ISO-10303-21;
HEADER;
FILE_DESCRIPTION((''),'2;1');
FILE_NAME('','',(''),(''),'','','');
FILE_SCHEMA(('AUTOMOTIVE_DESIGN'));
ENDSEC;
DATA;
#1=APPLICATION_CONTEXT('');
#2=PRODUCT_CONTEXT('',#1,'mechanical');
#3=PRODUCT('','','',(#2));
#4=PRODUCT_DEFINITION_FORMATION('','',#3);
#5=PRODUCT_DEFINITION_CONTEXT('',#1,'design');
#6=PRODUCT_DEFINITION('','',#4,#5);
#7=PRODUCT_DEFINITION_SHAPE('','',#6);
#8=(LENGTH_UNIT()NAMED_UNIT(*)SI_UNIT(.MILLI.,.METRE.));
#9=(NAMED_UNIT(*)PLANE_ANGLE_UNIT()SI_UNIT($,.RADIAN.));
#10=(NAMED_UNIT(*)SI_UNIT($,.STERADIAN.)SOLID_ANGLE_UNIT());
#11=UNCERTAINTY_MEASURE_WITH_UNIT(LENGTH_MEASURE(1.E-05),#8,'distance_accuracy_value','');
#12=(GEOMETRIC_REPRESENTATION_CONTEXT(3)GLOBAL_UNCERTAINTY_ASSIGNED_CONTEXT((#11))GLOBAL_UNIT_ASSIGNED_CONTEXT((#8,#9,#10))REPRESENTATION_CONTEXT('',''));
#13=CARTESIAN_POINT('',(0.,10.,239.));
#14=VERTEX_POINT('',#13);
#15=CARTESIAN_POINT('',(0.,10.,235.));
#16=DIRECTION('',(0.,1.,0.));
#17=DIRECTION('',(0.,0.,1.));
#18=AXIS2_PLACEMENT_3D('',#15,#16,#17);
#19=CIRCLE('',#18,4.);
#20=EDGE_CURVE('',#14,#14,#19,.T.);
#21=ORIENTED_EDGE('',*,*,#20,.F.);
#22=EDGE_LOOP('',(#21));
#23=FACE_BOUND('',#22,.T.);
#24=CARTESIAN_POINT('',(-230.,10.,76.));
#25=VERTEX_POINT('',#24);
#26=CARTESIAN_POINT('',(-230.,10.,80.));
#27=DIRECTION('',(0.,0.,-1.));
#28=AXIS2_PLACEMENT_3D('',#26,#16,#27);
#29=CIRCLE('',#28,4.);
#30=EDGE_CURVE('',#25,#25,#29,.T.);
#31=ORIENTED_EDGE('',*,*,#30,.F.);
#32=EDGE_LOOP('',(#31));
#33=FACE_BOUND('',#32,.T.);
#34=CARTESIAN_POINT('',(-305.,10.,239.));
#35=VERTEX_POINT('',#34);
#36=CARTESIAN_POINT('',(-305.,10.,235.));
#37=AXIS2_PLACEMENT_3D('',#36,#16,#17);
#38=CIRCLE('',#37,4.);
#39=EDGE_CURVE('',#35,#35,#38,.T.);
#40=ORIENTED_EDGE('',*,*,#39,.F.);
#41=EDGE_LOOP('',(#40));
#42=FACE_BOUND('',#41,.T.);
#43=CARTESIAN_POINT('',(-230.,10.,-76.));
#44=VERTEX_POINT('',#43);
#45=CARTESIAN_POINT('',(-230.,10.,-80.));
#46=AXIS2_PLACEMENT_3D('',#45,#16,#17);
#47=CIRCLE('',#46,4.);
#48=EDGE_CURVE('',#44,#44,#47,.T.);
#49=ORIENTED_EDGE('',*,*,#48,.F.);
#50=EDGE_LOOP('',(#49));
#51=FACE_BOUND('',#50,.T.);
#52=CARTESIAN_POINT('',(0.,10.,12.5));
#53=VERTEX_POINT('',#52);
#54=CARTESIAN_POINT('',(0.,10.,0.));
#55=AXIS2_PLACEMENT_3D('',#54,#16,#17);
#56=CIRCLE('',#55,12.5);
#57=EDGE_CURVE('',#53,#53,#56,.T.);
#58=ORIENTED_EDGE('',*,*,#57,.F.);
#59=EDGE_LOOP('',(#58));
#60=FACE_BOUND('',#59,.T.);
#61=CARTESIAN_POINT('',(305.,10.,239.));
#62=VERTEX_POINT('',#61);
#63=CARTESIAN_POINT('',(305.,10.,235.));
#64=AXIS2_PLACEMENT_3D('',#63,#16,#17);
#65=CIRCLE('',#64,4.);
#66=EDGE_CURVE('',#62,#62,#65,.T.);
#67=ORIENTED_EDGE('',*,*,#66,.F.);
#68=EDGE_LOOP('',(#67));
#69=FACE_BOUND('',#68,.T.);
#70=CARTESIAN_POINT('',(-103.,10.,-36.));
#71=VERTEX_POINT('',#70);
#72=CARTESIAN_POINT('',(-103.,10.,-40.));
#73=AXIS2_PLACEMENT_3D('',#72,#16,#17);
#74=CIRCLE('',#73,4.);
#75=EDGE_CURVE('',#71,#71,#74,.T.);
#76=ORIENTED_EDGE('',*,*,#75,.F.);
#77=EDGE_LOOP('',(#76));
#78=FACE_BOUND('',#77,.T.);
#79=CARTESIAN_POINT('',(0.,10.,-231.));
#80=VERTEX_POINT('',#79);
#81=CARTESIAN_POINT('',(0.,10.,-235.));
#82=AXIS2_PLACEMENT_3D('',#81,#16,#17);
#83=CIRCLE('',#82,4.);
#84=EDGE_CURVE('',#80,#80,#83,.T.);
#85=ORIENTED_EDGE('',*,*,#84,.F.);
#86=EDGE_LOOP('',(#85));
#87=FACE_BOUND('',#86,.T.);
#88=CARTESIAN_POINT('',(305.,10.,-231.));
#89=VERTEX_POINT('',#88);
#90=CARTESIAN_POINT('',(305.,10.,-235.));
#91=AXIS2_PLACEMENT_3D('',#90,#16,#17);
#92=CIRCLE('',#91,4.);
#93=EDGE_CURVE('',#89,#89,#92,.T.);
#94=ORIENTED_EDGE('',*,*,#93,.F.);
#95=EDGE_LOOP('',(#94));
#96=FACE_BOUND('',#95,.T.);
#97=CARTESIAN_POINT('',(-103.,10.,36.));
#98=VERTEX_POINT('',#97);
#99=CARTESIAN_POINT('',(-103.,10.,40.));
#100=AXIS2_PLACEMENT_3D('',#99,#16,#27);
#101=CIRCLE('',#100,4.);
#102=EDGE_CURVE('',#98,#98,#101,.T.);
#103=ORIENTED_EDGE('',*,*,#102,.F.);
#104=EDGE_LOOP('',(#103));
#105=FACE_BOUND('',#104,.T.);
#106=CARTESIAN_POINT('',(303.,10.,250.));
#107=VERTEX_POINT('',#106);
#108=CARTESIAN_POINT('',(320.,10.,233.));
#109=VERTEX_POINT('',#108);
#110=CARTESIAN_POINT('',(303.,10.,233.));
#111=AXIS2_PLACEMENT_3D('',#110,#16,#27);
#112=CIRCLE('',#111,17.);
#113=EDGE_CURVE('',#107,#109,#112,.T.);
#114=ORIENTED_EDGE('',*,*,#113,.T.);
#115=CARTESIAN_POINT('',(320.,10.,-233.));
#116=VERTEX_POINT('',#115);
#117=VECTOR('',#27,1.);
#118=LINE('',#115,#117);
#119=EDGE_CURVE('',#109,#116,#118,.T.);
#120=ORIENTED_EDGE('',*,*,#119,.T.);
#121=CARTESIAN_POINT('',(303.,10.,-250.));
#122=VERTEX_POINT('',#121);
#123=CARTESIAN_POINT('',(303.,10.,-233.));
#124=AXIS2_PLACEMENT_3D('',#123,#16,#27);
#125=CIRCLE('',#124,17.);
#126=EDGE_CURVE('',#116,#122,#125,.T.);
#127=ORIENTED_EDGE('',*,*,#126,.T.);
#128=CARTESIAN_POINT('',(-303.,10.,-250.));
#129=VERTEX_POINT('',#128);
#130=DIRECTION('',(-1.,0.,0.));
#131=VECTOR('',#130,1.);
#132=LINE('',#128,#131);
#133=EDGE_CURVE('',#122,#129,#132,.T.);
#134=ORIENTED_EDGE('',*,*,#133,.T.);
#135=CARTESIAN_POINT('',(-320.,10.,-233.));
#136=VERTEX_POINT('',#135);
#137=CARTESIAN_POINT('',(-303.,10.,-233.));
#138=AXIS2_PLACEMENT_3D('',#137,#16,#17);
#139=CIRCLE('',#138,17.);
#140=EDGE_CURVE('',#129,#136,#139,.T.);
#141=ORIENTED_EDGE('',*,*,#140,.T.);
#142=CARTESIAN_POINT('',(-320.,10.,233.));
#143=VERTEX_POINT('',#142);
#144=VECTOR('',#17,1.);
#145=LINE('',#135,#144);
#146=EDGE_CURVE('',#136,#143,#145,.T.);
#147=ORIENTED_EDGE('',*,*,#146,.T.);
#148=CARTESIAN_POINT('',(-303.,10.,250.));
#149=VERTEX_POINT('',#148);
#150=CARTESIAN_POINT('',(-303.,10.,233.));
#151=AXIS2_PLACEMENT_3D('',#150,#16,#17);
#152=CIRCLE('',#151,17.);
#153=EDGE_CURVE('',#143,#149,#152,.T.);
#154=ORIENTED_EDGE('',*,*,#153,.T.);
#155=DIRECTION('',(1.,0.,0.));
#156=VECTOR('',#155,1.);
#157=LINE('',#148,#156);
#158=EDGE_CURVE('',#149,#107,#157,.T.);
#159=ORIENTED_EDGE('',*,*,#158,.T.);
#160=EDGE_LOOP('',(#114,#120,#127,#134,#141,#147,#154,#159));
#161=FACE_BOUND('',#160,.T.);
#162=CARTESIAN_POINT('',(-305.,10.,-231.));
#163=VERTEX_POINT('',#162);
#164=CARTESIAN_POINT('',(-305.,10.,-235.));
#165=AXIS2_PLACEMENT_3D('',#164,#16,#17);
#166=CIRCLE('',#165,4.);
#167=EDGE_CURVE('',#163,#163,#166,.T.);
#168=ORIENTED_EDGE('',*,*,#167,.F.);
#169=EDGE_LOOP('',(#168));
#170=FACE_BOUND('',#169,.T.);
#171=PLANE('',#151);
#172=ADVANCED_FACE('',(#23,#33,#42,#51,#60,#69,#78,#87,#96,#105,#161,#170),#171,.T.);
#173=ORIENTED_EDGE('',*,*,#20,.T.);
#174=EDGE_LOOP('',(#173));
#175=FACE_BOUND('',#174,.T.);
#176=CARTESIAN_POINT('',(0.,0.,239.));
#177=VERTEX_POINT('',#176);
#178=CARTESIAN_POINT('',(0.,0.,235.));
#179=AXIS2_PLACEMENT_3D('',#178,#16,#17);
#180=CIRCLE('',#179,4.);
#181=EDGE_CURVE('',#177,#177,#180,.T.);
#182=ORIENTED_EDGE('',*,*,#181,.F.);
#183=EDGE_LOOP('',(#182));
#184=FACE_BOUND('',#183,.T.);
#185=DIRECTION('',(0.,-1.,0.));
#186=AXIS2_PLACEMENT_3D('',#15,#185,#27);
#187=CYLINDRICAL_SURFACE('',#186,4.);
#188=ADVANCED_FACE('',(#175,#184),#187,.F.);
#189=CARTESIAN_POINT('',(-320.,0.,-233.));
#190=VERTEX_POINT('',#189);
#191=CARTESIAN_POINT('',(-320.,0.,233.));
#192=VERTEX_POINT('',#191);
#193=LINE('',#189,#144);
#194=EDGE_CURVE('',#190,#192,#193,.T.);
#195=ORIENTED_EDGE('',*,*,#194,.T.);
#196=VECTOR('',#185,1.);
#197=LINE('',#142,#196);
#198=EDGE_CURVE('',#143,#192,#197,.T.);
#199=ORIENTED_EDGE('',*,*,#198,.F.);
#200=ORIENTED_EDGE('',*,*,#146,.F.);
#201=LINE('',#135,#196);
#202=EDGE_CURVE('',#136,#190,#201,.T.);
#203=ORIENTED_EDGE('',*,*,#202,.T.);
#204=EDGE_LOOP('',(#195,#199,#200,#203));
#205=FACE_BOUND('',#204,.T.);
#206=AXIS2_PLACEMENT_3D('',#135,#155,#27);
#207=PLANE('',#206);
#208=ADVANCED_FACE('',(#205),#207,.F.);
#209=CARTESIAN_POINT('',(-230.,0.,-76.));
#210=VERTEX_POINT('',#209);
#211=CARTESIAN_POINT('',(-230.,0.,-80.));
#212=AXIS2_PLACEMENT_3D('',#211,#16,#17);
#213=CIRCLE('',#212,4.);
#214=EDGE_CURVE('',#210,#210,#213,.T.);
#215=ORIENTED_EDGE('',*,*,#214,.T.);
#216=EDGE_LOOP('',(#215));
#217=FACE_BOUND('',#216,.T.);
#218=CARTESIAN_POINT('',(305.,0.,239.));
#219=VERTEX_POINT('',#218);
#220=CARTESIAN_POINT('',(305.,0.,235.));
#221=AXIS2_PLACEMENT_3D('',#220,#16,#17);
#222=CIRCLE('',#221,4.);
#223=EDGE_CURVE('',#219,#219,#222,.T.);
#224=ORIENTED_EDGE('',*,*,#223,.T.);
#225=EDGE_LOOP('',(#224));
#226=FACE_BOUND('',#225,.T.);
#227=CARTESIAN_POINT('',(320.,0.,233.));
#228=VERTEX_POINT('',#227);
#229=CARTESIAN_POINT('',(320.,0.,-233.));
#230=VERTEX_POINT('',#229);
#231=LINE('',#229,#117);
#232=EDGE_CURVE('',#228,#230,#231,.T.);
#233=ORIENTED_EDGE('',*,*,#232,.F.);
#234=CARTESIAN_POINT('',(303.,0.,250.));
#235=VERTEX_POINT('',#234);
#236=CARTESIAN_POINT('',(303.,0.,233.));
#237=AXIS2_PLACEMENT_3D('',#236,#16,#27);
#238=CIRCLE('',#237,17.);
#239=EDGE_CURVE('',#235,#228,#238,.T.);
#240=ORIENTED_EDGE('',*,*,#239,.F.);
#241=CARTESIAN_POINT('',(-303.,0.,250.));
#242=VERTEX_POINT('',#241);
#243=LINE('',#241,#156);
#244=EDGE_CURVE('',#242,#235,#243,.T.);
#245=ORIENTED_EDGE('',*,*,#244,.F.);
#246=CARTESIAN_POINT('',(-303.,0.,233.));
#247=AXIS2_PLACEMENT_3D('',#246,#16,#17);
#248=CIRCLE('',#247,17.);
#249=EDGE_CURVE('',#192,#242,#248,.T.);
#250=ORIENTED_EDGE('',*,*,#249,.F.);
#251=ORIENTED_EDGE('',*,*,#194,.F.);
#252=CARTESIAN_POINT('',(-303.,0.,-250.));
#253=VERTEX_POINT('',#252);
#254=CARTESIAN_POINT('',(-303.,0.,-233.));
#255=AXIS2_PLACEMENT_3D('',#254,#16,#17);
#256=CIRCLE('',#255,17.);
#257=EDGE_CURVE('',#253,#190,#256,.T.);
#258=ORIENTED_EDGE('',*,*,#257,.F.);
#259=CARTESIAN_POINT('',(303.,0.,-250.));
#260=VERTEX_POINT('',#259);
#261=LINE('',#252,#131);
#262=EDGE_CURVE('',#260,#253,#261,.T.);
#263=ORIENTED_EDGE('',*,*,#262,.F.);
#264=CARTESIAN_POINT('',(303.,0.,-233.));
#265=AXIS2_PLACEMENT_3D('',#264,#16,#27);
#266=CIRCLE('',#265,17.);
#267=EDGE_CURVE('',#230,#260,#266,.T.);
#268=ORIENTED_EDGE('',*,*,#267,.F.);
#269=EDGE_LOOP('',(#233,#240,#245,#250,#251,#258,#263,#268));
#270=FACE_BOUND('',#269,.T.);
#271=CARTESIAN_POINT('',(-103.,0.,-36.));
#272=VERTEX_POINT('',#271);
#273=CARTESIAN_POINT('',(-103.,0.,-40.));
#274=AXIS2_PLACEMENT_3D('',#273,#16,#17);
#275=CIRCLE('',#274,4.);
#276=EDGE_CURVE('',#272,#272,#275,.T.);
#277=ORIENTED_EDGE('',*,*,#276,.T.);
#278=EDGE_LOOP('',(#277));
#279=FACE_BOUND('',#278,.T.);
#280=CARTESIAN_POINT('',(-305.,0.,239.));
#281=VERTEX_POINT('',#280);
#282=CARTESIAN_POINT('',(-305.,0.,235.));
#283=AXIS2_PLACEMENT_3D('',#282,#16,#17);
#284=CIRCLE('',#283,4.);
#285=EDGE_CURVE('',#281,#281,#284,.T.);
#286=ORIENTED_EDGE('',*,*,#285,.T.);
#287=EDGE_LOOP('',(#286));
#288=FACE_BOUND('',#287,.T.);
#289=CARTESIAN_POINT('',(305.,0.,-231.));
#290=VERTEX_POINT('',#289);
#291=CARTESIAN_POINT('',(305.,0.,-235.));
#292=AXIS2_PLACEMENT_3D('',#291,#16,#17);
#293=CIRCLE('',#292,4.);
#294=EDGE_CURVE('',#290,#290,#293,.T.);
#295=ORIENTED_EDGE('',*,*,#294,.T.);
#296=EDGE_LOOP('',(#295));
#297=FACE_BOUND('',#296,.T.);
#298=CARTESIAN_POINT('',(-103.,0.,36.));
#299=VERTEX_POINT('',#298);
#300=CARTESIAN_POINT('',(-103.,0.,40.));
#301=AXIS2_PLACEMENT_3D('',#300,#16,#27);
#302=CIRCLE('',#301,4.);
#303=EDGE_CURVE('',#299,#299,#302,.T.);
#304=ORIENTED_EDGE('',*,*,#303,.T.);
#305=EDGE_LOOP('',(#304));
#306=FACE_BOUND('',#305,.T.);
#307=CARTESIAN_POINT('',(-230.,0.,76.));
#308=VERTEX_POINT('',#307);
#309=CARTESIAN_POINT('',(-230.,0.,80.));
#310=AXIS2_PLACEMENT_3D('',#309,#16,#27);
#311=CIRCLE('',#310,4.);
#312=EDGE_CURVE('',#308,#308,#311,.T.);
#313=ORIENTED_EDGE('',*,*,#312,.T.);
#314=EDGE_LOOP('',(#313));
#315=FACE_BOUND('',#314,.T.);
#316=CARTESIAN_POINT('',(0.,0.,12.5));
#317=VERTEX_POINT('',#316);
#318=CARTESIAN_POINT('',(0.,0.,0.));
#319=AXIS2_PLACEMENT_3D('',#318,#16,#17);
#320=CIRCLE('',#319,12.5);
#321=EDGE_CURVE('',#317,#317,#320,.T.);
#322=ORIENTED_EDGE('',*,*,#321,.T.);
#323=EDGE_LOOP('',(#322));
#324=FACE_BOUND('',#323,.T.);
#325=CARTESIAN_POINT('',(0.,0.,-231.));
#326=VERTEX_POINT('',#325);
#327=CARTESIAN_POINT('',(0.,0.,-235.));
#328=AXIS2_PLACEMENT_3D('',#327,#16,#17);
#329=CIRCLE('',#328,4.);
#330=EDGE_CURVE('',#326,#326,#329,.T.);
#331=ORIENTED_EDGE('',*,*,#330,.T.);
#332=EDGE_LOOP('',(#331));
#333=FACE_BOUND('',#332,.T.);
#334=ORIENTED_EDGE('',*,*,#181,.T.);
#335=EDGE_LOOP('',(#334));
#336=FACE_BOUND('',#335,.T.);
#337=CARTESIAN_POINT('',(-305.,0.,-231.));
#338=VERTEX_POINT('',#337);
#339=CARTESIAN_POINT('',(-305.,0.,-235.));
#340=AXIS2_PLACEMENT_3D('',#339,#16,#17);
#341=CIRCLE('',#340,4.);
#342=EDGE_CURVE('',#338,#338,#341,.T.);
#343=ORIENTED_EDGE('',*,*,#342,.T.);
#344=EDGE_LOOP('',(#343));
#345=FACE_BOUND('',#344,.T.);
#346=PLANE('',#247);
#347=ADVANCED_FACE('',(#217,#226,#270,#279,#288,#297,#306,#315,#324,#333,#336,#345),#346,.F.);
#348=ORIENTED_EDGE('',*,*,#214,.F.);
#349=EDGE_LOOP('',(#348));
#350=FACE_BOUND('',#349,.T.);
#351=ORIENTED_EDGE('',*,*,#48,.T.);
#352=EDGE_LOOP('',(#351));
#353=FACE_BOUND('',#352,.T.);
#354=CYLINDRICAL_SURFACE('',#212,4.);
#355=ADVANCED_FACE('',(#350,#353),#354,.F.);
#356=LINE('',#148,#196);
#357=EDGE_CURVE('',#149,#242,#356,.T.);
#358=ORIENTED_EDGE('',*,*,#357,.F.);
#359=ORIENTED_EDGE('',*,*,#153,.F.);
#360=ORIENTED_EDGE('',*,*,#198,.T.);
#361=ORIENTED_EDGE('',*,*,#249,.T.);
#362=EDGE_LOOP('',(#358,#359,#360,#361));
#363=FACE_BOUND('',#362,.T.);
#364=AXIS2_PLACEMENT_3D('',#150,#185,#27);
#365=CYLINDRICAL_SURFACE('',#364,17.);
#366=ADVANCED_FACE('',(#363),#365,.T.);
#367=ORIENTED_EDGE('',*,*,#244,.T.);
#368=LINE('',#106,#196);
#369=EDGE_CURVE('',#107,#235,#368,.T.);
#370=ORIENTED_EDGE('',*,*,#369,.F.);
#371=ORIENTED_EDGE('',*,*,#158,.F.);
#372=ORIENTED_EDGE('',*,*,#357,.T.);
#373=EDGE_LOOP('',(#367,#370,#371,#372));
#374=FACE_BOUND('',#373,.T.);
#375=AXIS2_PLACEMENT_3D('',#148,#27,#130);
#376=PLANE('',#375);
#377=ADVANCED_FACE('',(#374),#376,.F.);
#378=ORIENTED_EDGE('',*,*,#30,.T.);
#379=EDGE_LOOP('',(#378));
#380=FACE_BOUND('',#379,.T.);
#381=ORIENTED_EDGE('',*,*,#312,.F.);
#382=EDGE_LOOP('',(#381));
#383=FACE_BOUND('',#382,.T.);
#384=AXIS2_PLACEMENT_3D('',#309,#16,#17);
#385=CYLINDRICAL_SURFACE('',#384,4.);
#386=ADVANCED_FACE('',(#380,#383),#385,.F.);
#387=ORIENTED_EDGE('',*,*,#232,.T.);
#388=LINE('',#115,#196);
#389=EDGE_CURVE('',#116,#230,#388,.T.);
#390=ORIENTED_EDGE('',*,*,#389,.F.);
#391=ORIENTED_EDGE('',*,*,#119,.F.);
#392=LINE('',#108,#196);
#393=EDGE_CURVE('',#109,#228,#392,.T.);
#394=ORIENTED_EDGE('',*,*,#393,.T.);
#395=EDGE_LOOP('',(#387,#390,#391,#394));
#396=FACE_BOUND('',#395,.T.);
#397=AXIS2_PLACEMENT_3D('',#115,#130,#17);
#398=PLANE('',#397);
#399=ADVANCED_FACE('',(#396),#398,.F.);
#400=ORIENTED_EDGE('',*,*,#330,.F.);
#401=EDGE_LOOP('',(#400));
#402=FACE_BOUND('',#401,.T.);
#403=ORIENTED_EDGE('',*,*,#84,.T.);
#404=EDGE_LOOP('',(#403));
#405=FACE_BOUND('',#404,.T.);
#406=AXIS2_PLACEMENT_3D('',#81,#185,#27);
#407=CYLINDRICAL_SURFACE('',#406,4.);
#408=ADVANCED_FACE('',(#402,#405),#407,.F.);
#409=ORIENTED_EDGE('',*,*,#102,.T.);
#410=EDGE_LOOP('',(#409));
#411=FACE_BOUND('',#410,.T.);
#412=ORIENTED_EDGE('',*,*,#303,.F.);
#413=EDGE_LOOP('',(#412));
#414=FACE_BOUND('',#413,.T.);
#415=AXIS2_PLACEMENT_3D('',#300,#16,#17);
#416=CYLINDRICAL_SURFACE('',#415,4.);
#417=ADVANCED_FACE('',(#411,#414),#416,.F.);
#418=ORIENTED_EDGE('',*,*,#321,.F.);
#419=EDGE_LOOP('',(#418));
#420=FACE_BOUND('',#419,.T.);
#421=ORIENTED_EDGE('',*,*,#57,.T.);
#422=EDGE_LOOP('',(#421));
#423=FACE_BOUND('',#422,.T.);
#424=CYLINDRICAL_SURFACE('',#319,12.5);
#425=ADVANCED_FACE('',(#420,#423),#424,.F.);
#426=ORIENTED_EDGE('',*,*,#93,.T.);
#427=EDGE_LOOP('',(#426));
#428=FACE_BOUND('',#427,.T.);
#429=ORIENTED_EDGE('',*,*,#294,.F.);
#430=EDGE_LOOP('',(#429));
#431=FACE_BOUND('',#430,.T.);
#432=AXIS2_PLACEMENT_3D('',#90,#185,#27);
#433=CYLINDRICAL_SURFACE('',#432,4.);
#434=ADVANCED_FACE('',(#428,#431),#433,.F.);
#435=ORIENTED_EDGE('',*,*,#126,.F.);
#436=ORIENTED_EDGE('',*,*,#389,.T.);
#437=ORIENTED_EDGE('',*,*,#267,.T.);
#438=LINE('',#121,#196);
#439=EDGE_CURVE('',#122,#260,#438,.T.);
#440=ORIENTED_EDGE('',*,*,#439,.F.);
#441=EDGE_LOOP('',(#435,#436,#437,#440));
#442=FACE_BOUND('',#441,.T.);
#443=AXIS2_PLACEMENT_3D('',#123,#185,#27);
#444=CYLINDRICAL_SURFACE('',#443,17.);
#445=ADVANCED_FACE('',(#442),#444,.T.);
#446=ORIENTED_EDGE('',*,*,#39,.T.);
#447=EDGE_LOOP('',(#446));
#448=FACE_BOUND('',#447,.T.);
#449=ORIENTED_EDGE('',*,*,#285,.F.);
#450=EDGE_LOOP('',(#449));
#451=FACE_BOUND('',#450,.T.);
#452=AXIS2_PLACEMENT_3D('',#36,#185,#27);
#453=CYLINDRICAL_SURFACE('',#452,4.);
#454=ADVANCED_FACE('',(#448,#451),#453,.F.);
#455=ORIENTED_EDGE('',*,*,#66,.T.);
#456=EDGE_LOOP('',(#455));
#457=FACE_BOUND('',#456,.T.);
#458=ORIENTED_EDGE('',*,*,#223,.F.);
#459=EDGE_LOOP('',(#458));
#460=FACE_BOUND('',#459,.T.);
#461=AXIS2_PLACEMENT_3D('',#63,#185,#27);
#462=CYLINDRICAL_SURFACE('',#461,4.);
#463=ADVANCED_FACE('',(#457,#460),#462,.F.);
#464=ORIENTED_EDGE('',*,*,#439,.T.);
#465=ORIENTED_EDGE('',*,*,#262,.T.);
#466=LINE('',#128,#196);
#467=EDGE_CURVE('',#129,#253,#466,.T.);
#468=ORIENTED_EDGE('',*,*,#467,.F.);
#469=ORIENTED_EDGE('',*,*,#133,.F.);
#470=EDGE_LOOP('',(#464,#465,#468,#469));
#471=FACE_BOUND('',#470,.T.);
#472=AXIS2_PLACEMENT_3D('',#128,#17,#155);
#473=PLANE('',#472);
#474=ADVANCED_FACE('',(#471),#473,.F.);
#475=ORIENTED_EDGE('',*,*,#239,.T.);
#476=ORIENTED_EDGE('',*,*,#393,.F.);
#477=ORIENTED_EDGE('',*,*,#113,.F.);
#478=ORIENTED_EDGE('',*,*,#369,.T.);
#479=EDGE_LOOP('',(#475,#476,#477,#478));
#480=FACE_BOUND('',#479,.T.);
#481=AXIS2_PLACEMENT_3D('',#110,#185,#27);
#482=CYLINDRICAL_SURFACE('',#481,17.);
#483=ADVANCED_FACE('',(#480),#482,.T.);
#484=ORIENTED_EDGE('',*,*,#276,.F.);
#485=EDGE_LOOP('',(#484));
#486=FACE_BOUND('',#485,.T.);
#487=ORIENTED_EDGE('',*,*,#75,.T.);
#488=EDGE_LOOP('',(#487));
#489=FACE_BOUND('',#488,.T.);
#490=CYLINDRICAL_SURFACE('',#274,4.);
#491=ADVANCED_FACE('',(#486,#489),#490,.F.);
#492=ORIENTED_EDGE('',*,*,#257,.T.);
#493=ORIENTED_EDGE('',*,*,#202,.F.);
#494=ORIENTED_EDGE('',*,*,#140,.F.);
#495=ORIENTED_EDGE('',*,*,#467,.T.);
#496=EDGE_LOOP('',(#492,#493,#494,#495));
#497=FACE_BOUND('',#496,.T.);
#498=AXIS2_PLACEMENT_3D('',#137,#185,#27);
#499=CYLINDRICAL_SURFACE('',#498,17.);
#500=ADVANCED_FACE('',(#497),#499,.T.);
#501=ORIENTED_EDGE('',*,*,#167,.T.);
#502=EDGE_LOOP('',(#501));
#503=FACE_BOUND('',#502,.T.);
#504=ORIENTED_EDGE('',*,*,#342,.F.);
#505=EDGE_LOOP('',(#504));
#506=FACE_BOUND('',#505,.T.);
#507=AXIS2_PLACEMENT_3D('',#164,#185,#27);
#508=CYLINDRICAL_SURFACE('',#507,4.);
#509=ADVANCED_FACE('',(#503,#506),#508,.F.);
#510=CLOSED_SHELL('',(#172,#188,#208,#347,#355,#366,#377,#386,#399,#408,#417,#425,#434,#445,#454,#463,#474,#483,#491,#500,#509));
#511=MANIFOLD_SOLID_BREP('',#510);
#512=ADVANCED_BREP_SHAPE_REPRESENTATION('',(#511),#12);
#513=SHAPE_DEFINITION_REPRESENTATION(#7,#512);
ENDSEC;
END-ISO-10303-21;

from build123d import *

# Parameters (mm, degrees)
CROQUIS1_R              = 4
SALIENTE_EXTRUIR1_DEPTH = 10
CROQUIS2_R              = 4
CROQUIS2_R_2            = 12.5
CORTAR_EXTRUIR1_DEPTH   = 10


with BuildPart() as part:
    # Croquis1 → Saliente-Extruir1 (new body)
    with BuildSketch(Plane(origin=(0, 0, 0), x_dir=(1, 0, 0), z_dir=(0, 1, 0))):
        with BuildLine():
            Line((-303, 250), (303, 250))
            ThreePointArc((303, 250), (315.02081528, 245.02081528), (320, 233))
            Line((320, 233), (320, -233))
            ThreePointArc((320, -233), (315.02081528, -245.02081528), (303, -250))
            Line((303, -250), (-303, -250))
            ThreePointArc((-303, -250), (-315.02081528, -245.02081528), (-320, -233))
            Line((-320, -233), (-320, 233))
            ThreePointArc((-320, 233), (-315.02081528, 245.02081528), (-303, 250))
        make_face()
        with Locations((0, 235)):
            Circle(CROQUIS1_R, mode=Mode.SUBTRACT)
        with Locations((305, 235)):
            Circle(CROQUIS1_R, mode=Mode.SUBTRACT)
        with Locations((-305, 235)):
            Circle(CROQUIS1_R, mode=Mode.SUBTRACT)
        with Locations((0, -235)):
            Circle(CROQUIS1_R, mode=Mode.SUBTRACT)
        with Locations((305, -235)):
            Circle(CROQUIS1_R, mode=Mode.SUBTRACT)
        with Locations((-305, -235)):
            Circle(CROQUIS1_R, mode=Mode.SUBTRACT)
    extrude(amount=SALIENTE_EXTRUIR1_DEPTH)

    # Croquis2 → Cortar-Extruir1 (cut)
    with BuildSketch(Plane(origin=(0, 10, 0), x_dir=(1, 0, 0), z_dir=(0, 1, 0))):
        with Locations((-230, 80)):
            Circle(CROQUIS2_R)
        with Locations((-103, 40)):
            Circle(CROQUIS2_R)
        Circle(CROQUIS2_R_2)
        with Locations((-103, -40)):
            Circle(CROQUIS2_R)
        with Locations((-230, -80)):
            Circle(CROQUIS2_R)
    extrude(amount=-CORTAR_EXTRUIR1_DEPTH, mode=Mode.SUBTRACT)


solid = part.part
